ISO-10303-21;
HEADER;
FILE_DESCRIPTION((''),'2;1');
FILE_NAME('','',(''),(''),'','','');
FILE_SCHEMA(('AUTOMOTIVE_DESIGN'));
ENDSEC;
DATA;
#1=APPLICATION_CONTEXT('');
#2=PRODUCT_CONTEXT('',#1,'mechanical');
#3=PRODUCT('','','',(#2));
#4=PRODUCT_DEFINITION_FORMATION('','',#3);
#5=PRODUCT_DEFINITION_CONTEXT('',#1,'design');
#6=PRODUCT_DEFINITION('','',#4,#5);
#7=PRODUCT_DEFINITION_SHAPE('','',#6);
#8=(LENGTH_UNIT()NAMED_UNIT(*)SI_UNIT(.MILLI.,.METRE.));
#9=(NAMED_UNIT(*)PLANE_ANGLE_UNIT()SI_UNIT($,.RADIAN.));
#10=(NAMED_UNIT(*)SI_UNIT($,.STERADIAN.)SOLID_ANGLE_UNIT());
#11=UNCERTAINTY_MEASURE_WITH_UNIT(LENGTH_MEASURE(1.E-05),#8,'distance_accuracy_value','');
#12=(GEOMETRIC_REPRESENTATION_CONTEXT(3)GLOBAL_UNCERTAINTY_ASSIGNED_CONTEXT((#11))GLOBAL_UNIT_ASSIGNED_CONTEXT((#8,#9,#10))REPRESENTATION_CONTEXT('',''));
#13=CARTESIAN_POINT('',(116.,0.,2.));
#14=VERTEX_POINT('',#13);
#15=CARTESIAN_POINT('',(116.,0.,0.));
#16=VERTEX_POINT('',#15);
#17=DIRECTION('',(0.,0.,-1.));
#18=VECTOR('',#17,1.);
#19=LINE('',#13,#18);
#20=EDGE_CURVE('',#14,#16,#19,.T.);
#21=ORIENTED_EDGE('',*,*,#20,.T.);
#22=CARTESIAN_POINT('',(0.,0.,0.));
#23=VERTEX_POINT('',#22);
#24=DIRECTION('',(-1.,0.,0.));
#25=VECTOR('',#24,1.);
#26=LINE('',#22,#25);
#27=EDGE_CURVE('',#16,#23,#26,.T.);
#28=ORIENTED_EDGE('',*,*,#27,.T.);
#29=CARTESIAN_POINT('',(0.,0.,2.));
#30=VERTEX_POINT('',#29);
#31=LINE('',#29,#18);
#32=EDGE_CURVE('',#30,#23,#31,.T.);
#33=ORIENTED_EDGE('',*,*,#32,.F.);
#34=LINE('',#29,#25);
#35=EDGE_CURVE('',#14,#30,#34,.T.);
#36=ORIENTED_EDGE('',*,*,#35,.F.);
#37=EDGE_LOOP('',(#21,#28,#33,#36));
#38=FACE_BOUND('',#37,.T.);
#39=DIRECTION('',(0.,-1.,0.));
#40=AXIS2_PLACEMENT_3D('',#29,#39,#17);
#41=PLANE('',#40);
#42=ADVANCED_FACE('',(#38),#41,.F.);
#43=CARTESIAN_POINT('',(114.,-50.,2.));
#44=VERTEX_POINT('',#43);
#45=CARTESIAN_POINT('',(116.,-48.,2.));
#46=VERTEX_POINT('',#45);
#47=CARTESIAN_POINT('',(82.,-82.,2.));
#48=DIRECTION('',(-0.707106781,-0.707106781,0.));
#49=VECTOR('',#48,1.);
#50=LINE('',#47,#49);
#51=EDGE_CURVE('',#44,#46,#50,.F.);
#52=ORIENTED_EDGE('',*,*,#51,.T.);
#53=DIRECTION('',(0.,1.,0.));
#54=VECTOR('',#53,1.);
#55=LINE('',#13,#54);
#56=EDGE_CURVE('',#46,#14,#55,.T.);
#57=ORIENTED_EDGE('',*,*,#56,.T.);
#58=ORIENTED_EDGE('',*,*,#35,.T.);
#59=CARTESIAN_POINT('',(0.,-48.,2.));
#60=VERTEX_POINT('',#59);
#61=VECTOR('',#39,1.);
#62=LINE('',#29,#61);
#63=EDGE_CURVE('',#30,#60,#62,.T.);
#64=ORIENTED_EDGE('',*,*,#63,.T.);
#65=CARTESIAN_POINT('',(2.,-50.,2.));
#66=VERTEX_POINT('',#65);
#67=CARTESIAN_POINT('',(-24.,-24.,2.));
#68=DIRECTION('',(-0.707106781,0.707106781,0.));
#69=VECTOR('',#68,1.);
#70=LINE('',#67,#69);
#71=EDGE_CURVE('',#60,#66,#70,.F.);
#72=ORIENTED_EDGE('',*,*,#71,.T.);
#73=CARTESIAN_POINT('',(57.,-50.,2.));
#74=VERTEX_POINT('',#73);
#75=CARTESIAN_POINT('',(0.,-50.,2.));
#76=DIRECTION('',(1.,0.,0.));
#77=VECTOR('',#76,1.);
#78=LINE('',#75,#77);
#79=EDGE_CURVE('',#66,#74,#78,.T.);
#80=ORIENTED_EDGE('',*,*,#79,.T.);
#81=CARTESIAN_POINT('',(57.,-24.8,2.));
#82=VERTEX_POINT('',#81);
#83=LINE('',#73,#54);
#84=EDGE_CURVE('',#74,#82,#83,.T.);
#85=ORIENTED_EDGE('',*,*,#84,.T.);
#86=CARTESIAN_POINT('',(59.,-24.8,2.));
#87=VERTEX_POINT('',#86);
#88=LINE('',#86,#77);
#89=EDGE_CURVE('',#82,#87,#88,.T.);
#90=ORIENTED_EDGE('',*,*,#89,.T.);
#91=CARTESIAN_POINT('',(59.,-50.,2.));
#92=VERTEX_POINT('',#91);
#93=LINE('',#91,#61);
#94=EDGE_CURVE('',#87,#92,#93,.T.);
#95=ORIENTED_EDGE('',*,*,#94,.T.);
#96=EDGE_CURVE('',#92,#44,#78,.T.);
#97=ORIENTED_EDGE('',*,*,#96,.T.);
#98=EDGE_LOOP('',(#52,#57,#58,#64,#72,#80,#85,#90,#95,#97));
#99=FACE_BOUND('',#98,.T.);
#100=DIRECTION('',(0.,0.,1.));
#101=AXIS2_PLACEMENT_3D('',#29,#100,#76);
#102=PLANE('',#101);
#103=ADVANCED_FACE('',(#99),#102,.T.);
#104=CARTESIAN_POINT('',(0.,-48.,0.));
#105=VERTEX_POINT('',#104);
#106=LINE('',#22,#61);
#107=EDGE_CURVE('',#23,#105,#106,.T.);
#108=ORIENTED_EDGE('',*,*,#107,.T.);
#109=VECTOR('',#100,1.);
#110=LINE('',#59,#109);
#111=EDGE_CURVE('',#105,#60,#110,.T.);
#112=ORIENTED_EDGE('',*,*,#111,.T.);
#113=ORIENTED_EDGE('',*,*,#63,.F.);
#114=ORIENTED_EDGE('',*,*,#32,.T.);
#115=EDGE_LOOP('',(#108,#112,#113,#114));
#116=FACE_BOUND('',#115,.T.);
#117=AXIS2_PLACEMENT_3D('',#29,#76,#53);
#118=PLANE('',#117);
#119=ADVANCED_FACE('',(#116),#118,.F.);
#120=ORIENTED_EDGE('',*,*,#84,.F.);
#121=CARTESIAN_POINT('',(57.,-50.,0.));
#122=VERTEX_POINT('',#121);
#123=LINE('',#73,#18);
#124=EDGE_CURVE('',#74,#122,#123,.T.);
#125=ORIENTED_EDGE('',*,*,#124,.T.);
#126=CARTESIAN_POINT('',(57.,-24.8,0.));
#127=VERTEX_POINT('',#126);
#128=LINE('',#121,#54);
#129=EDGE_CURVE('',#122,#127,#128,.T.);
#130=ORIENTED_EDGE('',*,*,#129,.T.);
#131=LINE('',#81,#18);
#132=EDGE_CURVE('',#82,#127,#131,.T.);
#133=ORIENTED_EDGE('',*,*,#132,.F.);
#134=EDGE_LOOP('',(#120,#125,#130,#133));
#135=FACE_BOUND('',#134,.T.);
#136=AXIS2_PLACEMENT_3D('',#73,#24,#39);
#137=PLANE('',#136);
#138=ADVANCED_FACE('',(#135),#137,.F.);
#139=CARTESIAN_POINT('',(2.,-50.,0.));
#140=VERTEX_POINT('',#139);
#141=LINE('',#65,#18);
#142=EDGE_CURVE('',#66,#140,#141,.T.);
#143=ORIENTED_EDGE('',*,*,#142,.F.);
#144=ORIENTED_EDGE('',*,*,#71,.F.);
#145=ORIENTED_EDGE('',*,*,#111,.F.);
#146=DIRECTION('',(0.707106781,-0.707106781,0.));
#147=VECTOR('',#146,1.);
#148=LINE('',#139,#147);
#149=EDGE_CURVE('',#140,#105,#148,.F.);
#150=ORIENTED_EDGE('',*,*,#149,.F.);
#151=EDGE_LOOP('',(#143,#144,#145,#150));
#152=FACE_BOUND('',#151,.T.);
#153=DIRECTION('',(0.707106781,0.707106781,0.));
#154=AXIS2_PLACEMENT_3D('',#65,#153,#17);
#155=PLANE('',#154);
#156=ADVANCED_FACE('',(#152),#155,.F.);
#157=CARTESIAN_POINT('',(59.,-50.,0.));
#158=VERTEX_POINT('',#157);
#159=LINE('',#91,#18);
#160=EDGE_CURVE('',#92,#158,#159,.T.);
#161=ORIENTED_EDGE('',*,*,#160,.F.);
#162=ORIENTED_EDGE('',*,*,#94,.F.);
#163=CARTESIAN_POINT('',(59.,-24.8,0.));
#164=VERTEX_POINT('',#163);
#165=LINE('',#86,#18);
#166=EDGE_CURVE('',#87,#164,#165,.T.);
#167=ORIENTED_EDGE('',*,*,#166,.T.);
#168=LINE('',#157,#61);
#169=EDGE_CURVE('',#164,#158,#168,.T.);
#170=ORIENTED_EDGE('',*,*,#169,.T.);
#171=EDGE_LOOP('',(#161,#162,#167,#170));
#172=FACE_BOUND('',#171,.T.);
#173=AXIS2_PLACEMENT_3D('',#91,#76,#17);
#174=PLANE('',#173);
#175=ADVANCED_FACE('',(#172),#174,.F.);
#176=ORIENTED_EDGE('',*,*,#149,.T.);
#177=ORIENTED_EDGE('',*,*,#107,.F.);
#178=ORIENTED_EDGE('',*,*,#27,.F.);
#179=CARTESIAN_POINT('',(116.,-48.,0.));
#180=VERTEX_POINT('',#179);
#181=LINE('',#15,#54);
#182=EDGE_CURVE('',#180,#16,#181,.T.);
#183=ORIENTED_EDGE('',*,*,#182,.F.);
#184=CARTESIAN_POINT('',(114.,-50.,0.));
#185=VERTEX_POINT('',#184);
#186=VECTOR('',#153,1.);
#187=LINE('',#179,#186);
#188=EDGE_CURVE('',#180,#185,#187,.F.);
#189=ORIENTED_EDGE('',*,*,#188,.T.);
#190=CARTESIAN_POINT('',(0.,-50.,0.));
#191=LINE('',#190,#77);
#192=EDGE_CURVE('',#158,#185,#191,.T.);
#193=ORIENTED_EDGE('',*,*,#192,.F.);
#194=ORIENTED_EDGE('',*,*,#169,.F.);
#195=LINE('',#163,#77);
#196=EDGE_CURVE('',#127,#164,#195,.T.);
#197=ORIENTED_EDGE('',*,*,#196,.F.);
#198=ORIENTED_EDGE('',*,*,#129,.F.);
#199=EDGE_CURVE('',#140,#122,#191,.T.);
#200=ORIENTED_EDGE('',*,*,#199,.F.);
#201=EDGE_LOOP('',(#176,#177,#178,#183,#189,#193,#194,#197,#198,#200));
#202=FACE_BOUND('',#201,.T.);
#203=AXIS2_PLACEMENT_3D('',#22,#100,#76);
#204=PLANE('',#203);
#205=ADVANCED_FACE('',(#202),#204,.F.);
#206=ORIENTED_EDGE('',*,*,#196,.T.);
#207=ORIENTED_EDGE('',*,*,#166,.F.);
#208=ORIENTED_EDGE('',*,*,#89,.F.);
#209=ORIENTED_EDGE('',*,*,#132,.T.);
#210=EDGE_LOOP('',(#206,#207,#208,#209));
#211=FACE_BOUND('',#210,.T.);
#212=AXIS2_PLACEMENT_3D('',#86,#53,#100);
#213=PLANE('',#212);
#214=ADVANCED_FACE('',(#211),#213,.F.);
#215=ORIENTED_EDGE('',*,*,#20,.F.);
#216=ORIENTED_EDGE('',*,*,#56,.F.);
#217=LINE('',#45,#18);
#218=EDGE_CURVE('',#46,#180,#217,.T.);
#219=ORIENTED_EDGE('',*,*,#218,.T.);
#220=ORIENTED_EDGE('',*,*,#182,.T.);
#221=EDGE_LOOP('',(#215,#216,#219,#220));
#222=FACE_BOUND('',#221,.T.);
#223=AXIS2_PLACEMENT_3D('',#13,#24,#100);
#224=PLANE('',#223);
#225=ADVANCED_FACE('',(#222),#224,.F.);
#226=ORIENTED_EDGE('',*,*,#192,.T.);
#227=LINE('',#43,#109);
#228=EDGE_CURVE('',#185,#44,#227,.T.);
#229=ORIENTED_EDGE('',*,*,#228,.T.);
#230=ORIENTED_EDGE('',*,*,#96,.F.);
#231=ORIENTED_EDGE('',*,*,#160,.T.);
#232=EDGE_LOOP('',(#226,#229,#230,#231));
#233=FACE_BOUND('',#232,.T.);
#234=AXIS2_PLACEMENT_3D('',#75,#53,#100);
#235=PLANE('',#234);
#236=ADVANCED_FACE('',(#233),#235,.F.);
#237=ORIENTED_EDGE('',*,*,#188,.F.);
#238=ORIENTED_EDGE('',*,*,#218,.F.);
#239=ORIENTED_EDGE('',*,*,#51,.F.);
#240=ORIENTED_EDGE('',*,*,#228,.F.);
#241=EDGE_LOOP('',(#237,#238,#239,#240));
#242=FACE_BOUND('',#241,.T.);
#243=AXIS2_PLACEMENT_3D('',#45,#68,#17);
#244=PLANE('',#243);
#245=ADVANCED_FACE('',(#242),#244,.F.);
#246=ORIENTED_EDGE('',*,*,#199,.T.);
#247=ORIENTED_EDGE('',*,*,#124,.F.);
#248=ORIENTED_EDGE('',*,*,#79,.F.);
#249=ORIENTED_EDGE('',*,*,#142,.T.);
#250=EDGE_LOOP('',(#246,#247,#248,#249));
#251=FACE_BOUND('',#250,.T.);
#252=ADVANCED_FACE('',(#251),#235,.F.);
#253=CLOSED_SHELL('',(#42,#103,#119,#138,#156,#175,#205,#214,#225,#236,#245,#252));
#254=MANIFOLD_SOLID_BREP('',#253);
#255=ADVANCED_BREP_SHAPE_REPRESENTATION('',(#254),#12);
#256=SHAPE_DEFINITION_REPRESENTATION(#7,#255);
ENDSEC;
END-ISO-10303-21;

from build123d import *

# Parameters (mm, degrees)
SKETCH_1_W          = 116
SKETCH_1_H          = 50
EXTRUDE_1_DEPTH     = 2
CHAMFER_1_SIZE      = 2
SKETCH_2_W          = 2
SKETCH_2_H          = 25.2
CUT_EXTRUDE_1_DEPTH = 127.332893579


with BuildPart() as part:
    # 草图1 → 凸台-拉伸1 (new body)
    with BuildSketch(Plane.XY):
        with Locations((58, -25)):
            Rectangle(SKETCH_1_W, SKETCH_1_H)
    extrude(amount=EXTRUDE_1_DEPTH)

    # 倒角1
    chamfer_1_edges = [part.edges().sort_by_distance(p)[0] for p in [
        (116, -50, 1),
        (0, -50, 1),
    ]]
    chamfer(chamfer_1_edges, length=CHAMFER_1_SIZE)

    # 草图2 → 切除-拉伸1 (cut, through all)
    with BuildSketch(Plane(origin=(0, 0, 0), x_dir=(-1, 0, 0), z_dir=(0, 0, -1))):
        with Locations((-58, -37.4)):
            Rectangle(SKETCH_2_W, SKETCH_2_H)
    extrude(amount=-CUT_EXTRUDE_1_DEPTH, mode=Mode.SUBTRACT)


solid = part.part
